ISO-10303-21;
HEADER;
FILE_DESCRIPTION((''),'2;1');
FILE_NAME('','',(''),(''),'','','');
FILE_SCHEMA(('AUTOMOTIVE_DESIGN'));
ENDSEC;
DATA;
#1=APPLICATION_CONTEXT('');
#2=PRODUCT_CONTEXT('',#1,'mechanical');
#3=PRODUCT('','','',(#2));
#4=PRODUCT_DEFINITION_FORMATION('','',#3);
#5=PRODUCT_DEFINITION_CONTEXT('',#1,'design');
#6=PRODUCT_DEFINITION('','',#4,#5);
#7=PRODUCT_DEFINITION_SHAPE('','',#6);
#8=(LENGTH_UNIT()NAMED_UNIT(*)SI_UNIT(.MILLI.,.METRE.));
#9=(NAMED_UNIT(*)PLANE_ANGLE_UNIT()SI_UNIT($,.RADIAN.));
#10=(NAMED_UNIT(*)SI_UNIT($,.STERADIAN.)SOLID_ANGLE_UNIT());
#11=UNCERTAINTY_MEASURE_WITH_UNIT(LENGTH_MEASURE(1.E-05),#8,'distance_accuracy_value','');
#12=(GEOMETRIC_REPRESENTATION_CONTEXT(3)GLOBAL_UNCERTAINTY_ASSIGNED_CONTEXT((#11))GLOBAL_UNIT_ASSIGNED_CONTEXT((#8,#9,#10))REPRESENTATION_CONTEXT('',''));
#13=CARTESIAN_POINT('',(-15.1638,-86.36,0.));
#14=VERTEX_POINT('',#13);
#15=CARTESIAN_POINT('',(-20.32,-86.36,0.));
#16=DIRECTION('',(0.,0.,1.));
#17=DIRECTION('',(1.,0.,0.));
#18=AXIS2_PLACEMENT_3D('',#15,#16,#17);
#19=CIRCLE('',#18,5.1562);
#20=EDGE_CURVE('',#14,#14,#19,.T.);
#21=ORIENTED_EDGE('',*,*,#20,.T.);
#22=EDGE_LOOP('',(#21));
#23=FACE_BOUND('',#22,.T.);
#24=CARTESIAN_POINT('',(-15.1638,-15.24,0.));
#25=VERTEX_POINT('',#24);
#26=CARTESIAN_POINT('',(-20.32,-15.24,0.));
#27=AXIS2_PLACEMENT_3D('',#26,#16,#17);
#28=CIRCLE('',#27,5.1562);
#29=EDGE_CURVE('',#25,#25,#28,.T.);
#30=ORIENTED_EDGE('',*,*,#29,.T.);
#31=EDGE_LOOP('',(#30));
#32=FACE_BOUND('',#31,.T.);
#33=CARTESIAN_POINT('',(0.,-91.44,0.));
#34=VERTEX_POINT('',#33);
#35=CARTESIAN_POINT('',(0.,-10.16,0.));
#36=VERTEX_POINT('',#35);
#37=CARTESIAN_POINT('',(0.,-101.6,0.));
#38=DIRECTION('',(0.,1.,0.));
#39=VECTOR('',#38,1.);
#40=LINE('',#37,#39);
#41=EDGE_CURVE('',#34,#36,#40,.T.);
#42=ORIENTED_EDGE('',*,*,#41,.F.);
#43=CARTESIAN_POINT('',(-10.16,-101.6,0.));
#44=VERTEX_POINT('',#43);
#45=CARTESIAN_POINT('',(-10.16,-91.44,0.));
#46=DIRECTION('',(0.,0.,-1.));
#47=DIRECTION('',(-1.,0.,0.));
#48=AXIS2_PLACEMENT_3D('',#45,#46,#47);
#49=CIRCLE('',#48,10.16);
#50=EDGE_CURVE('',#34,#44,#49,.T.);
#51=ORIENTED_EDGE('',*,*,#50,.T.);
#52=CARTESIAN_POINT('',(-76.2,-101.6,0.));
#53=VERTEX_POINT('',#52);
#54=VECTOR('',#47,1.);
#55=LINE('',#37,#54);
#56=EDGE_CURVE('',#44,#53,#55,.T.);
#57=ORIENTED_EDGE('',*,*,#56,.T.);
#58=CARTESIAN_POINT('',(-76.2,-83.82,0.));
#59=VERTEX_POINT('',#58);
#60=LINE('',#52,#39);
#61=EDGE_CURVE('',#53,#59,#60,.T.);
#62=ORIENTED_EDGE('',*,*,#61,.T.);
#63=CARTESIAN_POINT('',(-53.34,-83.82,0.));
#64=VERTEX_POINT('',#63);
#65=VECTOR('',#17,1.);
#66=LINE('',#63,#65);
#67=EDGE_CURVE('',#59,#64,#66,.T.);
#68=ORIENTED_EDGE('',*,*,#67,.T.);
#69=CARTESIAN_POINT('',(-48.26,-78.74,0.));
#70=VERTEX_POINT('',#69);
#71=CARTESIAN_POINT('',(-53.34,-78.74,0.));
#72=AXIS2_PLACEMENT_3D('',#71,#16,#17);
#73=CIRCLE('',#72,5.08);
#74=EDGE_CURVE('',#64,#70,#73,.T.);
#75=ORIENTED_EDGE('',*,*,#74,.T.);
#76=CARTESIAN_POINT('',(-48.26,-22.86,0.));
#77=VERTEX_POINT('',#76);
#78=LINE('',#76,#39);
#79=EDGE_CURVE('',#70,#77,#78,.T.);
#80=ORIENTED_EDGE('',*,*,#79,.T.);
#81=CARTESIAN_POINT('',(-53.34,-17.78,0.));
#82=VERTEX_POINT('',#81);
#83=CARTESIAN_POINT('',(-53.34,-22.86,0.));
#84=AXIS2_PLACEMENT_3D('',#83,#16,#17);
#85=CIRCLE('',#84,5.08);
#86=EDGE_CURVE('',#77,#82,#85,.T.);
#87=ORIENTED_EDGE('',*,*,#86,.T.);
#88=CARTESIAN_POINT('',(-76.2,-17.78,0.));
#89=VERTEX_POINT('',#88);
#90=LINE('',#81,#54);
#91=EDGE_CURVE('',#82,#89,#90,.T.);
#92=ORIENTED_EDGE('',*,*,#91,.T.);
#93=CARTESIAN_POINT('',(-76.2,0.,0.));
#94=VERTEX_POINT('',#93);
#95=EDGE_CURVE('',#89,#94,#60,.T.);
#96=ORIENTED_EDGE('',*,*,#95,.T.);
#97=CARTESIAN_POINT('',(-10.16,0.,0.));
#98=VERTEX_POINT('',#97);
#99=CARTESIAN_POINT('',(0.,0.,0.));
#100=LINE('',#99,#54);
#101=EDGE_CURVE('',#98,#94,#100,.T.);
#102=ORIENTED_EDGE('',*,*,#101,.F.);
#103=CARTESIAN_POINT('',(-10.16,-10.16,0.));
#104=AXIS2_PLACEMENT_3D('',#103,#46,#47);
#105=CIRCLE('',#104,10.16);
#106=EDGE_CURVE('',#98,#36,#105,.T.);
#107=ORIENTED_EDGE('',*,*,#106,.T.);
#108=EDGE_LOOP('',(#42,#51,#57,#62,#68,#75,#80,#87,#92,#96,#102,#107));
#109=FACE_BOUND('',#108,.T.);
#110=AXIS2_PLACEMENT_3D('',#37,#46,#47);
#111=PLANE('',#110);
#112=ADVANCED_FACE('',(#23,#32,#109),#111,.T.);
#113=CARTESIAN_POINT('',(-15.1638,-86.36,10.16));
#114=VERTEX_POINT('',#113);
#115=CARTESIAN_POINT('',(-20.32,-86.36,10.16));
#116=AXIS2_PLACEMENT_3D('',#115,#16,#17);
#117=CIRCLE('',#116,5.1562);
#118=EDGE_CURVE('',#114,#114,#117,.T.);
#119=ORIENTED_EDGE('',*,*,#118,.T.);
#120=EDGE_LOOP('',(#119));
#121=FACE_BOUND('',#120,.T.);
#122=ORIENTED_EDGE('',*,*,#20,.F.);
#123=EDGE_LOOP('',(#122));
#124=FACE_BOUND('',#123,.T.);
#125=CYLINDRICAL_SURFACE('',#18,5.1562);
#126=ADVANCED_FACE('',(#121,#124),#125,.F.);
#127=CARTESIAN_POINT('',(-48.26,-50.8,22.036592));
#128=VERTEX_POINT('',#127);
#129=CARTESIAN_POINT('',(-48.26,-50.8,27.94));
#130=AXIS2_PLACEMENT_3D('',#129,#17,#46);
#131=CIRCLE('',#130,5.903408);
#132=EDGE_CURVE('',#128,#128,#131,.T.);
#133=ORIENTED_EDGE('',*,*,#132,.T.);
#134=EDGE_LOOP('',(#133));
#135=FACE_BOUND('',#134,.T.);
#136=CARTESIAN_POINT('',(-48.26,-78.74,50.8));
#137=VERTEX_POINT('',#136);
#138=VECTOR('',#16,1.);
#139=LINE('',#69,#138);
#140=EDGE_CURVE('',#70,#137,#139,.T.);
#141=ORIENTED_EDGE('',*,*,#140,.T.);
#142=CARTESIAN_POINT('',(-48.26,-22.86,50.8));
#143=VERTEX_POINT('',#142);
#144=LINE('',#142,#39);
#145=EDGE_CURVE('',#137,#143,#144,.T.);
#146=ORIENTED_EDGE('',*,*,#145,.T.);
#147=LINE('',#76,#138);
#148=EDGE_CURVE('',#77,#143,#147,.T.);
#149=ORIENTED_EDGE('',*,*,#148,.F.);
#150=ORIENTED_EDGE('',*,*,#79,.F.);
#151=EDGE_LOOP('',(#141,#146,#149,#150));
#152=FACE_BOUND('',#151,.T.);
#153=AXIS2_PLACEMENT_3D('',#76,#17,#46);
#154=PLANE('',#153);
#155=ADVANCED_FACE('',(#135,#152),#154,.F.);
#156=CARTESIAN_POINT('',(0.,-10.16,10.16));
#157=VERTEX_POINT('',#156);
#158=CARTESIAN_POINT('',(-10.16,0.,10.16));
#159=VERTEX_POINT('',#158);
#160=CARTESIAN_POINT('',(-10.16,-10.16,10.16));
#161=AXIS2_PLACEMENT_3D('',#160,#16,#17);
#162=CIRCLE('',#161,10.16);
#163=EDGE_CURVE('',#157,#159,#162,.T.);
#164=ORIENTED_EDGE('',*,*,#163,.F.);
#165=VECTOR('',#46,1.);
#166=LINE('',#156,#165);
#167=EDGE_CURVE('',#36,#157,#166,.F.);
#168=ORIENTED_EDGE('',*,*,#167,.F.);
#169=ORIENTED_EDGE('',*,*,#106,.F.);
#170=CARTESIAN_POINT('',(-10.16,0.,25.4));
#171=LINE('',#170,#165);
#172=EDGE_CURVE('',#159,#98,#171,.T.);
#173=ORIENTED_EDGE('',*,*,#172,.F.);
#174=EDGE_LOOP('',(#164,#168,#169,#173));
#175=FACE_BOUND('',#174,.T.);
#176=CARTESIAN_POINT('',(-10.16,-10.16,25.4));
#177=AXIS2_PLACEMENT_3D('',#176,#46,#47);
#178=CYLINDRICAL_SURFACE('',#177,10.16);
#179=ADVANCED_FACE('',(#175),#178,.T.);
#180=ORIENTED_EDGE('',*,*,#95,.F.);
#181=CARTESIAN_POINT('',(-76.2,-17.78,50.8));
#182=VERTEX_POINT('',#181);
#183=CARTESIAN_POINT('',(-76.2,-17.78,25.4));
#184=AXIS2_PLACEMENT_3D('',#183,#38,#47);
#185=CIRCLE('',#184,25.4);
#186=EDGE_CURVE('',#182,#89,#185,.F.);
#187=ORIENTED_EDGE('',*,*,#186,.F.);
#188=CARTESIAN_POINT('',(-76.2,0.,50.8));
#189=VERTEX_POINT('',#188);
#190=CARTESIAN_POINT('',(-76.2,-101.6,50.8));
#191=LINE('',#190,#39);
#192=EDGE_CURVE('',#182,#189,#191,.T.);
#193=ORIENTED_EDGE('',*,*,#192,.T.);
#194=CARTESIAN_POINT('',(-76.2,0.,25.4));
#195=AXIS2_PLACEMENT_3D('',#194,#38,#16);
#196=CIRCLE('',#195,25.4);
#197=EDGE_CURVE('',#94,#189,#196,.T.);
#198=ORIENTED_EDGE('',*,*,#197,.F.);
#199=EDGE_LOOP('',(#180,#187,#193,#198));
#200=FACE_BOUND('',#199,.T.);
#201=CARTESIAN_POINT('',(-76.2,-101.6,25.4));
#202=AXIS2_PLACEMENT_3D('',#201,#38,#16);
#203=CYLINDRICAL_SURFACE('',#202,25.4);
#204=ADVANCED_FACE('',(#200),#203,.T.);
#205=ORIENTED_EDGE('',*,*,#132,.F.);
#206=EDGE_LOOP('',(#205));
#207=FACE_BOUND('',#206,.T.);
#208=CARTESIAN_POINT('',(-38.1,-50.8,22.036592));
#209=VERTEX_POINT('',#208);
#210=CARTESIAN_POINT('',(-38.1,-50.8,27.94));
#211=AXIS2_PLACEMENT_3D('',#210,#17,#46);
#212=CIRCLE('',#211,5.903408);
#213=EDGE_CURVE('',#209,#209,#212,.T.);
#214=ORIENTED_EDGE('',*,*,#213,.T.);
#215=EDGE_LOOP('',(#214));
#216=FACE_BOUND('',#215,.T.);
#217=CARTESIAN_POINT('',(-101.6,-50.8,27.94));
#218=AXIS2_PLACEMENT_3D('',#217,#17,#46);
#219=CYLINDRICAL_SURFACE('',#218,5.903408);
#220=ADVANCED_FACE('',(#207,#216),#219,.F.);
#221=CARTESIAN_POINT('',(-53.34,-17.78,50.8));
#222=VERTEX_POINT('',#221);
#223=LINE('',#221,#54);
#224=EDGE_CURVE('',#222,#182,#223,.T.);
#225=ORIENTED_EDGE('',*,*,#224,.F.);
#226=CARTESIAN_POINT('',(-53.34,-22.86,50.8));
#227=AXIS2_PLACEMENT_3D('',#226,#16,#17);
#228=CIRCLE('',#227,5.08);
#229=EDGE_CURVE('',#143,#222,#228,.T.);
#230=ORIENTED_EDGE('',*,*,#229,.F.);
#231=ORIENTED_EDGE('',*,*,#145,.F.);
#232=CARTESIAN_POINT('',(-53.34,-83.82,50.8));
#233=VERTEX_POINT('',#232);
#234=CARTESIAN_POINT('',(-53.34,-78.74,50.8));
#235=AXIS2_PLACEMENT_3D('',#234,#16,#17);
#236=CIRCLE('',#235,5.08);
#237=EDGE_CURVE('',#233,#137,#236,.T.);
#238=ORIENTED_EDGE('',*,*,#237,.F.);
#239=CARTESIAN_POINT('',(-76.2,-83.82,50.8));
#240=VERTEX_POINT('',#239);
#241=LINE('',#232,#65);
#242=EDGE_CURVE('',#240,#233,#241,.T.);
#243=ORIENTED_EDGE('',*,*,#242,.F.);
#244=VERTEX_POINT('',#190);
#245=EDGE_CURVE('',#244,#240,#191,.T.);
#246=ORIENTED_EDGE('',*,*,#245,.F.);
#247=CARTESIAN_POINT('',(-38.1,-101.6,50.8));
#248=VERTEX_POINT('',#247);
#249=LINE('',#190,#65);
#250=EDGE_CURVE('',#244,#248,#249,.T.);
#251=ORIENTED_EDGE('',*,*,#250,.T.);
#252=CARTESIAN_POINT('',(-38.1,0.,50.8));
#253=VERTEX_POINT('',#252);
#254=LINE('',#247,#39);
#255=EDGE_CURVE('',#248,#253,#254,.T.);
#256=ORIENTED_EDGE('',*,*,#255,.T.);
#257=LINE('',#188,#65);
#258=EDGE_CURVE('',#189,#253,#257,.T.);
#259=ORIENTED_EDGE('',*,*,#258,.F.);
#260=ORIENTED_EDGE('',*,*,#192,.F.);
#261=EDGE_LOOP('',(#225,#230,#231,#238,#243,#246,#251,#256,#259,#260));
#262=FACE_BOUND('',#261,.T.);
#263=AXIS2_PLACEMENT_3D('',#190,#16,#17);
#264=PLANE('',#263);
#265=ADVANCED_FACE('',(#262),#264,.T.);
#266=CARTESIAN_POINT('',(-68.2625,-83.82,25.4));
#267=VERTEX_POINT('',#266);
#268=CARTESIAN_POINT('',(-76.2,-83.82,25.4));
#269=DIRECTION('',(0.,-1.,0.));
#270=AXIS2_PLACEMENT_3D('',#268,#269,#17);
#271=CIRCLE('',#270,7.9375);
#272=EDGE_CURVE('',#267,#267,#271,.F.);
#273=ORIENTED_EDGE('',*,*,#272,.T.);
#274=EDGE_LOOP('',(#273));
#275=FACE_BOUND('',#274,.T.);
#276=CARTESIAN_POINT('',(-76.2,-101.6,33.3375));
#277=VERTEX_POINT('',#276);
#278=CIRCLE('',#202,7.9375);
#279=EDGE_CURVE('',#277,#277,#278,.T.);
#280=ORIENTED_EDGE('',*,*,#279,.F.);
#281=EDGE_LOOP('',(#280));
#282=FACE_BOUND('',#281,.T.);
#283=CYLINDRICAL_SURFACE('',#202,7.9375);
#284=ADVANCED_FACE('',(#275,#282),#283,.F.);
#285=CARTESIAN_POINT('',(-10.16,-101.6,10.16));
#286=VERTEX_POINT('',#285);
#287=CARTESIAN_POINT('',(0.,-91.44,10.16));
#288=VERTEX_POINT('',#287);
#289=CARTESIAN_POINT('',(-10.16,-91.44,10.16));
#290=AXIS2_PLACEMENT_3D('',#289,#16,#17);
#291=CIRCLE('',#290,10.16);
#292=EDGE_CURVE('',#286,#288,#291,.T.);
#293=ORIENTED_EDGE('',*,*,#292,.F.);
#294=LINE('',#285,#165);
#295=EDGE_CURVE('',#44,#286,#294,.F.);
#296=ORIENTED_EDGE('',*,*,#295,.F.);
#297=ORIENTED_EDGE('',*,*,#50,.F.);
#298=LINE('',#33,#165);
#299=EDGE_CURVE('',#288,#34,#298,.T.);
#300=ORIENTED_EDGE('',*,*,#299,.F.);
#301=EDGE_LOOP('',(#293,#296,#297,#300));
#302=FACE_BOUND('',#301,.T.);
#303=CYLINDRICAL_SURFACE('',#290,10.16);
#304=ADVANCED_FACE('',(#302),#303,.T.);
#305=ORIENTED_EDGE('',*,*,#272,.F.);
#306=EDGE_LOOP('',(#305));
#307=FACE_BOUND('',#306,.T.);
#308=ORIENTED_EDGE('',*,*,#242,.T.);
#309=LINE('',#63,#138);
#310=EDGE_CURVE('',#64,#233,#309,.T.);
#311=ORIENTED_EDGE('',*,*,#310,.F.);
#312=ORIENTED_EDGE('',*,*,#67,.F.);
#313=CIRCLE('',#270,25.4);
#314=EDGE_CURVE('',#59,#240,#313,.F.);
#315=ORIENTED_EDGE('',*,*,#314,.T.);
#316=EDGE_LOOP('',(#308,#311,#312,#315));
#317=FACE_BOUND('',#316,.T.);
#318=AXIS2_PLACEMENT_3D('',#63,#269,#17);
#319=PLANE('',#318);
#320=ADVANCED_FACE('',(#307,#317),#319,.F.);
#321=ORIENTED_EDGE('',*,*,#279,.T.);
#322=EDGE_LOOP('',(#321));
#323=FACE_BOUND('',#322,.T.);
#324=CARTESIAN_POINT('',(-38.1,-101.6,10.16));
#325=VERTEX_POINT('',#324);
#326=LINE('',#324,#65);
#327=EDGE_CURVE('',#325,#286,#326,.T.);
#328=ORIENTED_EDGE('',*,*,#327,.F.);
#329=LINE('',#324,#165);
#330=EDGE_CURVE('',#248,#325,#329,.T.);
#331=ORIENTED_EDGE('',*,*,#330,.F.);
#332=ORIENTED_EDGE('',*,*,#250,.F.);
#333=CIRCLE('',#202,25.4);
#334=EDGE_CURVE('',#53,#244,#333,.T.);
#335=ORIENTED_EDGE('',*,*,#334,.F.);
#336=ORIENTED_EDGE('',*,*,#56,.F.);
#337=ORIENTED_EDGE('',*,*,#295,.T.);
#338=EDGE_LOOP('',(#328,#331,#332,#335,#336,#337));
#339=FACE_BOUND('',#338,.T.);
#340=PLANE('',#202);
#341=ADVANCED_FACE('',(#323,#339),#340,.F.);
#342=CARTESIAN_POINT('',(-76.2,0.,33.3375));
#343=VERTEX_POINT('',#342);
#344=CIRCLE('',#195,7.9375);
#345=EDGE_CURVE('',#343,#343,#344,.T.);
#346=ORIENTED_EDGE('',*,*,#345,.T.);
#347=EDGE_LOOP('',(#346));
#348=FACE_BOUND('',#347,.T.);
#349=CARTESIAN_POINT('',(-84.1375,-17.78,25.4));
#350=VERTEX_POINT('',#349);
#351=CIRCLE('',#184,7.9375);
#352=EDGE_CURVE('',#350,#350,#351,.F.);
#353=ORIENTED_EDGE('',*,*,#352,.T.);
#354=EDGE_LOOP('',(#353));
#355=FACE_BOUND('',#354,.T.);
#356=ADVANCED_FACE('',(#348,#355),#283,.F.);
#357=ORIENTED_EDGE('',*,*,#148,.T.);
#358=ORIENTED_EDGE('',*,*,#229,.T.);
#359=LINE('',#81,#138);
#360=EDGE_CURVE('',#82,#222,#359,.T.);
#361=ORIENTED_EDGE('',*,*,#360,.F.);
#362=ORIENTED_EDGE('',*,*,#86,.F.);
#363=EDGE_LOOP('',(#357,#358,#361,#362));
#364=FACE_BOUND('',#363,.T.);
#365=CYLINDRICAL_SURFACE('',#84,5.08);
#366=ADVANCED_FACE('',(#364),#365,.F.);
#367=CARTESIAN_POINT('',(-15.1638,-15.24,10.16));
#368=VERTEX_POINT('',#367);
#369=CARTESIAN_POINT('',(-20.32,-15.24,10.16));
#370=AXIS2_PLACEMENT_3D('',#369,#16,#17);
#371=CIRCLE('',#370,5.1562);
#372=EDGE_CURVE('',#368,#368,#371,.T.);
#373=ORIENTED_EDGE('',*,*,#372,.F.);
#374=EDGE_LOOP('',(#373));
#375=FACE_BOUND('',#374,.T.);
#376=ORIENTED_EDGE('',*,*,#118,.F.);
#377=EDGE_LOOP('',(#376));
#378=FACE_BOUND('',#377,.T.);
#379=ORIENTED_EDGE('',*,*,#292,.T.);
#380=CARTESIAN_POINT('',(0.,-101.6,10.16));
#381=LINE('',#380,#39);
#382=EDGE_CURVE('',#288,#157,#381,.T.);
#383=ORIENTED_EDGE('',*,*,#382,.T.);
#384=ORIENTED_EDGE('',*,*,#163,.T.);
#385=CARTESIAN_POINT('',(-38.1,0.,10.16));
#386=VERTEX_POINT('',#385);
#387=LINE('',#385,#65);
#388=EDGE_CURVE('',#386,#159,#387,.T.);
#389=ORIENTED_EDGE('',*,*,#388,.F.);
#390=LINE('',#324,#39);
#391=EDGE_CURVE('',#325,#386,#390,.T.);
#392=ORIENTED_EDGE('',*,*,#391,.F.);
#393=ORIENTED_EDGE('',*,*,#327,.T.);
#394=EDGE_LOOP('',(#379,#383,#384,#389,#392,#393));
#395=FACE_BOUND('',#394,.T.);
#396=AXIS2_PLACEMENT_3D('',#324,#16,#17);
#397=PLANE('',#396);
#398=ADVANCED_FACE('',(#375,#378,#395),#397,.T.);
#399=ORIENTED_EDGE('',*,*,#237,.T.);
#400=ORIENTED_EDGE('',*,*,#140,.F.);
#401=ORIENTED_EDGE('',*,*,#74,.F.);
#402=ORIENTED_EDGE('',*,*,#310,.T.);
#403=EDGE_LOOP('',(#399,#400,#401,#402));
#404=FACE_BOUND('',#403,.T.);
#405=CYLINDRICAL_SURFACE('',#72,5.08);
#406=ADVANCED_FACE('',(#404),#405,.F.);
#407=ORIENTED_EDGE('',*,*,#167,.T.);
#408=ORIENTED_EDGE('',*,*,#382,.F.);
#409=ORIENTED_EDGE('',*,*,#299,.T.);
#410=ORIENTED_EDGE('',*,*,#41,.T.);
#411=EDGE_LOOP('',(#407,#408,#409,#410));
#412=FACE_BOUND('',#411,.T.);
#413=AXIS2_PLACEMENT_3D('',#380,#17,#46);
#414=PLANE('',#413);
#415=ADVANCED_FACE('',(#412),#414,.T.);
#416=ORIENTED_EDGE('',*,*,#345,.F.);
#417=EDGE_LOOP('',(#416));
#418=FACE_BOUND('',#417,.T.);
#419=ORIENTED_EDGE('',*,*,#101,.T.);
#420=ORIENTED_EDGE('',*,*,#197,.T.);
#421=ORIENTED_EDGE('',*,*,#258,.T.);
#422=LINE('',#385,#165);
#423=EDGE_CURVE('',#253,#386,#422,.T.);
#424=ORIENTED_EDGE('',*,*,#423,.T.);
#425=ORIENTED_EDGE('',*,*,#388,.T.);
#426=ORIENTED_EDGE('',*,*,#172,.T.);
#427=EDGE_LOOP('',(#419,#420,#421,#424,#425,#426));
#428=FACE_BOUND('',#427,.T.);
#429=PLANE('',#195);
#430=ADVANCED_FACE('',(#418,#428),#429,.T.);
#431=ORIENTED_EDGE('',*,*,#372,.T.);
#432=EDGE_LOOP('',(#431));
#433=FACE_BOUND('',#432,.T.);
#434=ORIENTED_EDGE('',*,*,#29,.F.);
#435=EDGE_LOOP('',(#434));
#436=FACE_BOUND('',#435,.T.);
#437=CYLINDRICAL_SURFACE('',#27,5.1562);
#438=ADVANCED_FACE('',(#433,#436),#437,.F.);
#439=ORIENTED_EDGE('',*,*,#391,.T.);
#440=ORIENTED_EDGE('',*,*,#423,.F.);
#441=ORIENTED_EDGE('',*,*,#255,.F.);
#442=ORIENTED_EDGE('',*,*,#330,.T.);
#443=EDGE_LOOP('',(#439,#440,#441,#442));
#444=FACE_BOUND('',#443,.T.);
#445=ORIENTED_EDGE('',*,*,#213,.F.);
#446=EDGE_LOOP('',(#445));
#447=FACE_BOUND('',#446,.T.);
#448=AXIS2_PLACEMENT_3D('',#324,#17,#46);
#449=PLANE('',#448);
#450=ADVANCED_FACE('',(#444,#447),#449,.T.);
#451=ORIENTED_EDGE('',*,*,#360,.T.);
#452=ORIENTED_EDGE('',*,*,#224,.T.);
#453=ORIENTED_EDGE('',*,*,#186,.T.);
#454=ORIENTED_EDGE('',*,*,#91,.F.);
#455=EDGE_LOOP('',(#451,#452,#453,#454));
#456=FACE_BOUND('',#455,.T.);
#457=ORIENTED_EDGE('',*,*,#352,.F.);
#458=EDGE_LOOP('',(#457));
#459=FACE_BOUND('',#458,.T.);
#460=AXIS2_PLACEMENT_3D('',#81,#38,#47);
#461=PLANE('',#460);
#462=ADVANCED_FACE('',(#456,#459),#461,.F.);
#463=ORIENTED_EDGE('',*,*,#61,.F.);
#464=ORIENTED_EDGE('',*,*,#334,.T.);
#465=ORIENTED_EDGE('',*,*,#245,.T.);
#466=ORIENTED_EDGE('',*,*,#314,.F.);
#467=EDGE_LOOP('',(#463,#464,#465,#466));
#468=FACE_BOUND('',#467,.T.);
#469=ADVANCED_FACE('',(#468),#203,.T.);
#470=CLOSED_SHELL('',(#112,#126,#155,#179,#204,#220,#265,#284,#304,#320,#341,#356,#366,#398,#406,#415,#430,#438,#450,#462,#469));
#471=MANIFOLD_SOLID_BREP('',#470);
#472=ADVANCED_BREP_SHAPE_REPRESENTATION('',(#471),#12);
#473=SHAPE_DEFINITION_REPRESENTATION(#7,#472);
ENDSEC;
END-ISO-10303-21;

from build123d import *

# Parameters (mm, degrees)
SKETCH1_R           = 7.9375
BOSS_EXTRUDE1_DEPTH = 101.6
CUT_EXTRUDE1_DEPTH  = 153.4
SKETCH3_R           = 5.1562
CUT_EXTRUDE2_DEPTH  = 150.32089472
SKETCH4_R           = 5.903408011
CUT_EXTRUDE3_DEPTH  = 131.136274728
FILLET1_R           = 10.16


with BuildPart() as part:
    # Sketch1 → Boss-Extrude1 (new body)
    with BuildSketch(Plane(origin=(0, 0, 0), x_dir=(1, 0, 0), z_dir=(0, 1, 0))):
        with BuildLine():
            Line((0, 0), (-76.2, 0))
            ThreePointArc((-76.2, 0), (-101.6, -25.4), (-76.2, -50.8))
            Line((-76.2, -50.8), (-38.1, -50.8))
            Line((-38.1, -50.8), (-38.1, -10.16))
            Line((-38.1, -10.16), (0, -10.16))
            Line((0, -10.16), (0, 0))
        make_face()
        with Locations(Location((-76.2, -25.4, 0), (0, 0, 270))):
            Circle(SKETCH1_R, mode=Mode.SUBTRACT)
    extrude(amount=-BOSS_EXTRUDE1_DEPTH)

    # Sketch2 → Cut-Extrude1 (cut, through all)
    with BuildSketch(Plane.XY.offset(50.8)):
        with BuildLine():
            Line((-53.34, -17.78), (-111.029892198, -17.78))
            Line((-111.029892198, -17.78), (-111.029892198, -83.82))
            Line((-111.029892198, -83.82), (-53.34, -83.82))
            ThreePointArc((-53.34, -83.82), (-49.747897552, -82.332102448), (-48.26, -78.74))
            Line((-48.26, -78.74), (-48.26, -22.86))
            ThreePointArc((-48.26, -22.86), (-49.747897552, -19.267897552), (-53.34, -17.78))
        make_face()
    extrude(amount=-CUT_EXTRUDE1_DEPTH, mode=Mode.SUBTRACT)

    # Sketch3 → Cut-Extrude2 (cut, through all)
    with BuildSketch(Plane.XY.offset(10.16)):
        with Locations((-20.32, -15.24)):
            Circle(SKETCH3_R)
        with Locations((-20.32, -86.36)):
            Circle(SKETCH3_R)
    extrude(amount=-CUT_EXTRUDE2_DEPTH, mode=Mode.SUBTRACT)

    # Sketch4 → Cut-Extrude3 (cut, through all)
    with BuildSketch(Plane(origin=(-38.1, 0, 0), x_dir=(0, 0, -1), z_dir=(1, 0, 0))):
        with Locations((-27.94, -50.8)):
            Circle(SKETCH4_R)
    extrude(amount=-CUT_EXTRUDE3_DEPTH, mode=Mode.SUBTRACT)

    # Fillet1
    fillet1_edges = [part.edges().sort_by_distance(p)[0] for p in [
        (0, -101.6, 5.08),
        (0, 0, 5.08),
    ]]
    fillet(fillet1_edges, radius=FILLET1_R)


solid = part.part
